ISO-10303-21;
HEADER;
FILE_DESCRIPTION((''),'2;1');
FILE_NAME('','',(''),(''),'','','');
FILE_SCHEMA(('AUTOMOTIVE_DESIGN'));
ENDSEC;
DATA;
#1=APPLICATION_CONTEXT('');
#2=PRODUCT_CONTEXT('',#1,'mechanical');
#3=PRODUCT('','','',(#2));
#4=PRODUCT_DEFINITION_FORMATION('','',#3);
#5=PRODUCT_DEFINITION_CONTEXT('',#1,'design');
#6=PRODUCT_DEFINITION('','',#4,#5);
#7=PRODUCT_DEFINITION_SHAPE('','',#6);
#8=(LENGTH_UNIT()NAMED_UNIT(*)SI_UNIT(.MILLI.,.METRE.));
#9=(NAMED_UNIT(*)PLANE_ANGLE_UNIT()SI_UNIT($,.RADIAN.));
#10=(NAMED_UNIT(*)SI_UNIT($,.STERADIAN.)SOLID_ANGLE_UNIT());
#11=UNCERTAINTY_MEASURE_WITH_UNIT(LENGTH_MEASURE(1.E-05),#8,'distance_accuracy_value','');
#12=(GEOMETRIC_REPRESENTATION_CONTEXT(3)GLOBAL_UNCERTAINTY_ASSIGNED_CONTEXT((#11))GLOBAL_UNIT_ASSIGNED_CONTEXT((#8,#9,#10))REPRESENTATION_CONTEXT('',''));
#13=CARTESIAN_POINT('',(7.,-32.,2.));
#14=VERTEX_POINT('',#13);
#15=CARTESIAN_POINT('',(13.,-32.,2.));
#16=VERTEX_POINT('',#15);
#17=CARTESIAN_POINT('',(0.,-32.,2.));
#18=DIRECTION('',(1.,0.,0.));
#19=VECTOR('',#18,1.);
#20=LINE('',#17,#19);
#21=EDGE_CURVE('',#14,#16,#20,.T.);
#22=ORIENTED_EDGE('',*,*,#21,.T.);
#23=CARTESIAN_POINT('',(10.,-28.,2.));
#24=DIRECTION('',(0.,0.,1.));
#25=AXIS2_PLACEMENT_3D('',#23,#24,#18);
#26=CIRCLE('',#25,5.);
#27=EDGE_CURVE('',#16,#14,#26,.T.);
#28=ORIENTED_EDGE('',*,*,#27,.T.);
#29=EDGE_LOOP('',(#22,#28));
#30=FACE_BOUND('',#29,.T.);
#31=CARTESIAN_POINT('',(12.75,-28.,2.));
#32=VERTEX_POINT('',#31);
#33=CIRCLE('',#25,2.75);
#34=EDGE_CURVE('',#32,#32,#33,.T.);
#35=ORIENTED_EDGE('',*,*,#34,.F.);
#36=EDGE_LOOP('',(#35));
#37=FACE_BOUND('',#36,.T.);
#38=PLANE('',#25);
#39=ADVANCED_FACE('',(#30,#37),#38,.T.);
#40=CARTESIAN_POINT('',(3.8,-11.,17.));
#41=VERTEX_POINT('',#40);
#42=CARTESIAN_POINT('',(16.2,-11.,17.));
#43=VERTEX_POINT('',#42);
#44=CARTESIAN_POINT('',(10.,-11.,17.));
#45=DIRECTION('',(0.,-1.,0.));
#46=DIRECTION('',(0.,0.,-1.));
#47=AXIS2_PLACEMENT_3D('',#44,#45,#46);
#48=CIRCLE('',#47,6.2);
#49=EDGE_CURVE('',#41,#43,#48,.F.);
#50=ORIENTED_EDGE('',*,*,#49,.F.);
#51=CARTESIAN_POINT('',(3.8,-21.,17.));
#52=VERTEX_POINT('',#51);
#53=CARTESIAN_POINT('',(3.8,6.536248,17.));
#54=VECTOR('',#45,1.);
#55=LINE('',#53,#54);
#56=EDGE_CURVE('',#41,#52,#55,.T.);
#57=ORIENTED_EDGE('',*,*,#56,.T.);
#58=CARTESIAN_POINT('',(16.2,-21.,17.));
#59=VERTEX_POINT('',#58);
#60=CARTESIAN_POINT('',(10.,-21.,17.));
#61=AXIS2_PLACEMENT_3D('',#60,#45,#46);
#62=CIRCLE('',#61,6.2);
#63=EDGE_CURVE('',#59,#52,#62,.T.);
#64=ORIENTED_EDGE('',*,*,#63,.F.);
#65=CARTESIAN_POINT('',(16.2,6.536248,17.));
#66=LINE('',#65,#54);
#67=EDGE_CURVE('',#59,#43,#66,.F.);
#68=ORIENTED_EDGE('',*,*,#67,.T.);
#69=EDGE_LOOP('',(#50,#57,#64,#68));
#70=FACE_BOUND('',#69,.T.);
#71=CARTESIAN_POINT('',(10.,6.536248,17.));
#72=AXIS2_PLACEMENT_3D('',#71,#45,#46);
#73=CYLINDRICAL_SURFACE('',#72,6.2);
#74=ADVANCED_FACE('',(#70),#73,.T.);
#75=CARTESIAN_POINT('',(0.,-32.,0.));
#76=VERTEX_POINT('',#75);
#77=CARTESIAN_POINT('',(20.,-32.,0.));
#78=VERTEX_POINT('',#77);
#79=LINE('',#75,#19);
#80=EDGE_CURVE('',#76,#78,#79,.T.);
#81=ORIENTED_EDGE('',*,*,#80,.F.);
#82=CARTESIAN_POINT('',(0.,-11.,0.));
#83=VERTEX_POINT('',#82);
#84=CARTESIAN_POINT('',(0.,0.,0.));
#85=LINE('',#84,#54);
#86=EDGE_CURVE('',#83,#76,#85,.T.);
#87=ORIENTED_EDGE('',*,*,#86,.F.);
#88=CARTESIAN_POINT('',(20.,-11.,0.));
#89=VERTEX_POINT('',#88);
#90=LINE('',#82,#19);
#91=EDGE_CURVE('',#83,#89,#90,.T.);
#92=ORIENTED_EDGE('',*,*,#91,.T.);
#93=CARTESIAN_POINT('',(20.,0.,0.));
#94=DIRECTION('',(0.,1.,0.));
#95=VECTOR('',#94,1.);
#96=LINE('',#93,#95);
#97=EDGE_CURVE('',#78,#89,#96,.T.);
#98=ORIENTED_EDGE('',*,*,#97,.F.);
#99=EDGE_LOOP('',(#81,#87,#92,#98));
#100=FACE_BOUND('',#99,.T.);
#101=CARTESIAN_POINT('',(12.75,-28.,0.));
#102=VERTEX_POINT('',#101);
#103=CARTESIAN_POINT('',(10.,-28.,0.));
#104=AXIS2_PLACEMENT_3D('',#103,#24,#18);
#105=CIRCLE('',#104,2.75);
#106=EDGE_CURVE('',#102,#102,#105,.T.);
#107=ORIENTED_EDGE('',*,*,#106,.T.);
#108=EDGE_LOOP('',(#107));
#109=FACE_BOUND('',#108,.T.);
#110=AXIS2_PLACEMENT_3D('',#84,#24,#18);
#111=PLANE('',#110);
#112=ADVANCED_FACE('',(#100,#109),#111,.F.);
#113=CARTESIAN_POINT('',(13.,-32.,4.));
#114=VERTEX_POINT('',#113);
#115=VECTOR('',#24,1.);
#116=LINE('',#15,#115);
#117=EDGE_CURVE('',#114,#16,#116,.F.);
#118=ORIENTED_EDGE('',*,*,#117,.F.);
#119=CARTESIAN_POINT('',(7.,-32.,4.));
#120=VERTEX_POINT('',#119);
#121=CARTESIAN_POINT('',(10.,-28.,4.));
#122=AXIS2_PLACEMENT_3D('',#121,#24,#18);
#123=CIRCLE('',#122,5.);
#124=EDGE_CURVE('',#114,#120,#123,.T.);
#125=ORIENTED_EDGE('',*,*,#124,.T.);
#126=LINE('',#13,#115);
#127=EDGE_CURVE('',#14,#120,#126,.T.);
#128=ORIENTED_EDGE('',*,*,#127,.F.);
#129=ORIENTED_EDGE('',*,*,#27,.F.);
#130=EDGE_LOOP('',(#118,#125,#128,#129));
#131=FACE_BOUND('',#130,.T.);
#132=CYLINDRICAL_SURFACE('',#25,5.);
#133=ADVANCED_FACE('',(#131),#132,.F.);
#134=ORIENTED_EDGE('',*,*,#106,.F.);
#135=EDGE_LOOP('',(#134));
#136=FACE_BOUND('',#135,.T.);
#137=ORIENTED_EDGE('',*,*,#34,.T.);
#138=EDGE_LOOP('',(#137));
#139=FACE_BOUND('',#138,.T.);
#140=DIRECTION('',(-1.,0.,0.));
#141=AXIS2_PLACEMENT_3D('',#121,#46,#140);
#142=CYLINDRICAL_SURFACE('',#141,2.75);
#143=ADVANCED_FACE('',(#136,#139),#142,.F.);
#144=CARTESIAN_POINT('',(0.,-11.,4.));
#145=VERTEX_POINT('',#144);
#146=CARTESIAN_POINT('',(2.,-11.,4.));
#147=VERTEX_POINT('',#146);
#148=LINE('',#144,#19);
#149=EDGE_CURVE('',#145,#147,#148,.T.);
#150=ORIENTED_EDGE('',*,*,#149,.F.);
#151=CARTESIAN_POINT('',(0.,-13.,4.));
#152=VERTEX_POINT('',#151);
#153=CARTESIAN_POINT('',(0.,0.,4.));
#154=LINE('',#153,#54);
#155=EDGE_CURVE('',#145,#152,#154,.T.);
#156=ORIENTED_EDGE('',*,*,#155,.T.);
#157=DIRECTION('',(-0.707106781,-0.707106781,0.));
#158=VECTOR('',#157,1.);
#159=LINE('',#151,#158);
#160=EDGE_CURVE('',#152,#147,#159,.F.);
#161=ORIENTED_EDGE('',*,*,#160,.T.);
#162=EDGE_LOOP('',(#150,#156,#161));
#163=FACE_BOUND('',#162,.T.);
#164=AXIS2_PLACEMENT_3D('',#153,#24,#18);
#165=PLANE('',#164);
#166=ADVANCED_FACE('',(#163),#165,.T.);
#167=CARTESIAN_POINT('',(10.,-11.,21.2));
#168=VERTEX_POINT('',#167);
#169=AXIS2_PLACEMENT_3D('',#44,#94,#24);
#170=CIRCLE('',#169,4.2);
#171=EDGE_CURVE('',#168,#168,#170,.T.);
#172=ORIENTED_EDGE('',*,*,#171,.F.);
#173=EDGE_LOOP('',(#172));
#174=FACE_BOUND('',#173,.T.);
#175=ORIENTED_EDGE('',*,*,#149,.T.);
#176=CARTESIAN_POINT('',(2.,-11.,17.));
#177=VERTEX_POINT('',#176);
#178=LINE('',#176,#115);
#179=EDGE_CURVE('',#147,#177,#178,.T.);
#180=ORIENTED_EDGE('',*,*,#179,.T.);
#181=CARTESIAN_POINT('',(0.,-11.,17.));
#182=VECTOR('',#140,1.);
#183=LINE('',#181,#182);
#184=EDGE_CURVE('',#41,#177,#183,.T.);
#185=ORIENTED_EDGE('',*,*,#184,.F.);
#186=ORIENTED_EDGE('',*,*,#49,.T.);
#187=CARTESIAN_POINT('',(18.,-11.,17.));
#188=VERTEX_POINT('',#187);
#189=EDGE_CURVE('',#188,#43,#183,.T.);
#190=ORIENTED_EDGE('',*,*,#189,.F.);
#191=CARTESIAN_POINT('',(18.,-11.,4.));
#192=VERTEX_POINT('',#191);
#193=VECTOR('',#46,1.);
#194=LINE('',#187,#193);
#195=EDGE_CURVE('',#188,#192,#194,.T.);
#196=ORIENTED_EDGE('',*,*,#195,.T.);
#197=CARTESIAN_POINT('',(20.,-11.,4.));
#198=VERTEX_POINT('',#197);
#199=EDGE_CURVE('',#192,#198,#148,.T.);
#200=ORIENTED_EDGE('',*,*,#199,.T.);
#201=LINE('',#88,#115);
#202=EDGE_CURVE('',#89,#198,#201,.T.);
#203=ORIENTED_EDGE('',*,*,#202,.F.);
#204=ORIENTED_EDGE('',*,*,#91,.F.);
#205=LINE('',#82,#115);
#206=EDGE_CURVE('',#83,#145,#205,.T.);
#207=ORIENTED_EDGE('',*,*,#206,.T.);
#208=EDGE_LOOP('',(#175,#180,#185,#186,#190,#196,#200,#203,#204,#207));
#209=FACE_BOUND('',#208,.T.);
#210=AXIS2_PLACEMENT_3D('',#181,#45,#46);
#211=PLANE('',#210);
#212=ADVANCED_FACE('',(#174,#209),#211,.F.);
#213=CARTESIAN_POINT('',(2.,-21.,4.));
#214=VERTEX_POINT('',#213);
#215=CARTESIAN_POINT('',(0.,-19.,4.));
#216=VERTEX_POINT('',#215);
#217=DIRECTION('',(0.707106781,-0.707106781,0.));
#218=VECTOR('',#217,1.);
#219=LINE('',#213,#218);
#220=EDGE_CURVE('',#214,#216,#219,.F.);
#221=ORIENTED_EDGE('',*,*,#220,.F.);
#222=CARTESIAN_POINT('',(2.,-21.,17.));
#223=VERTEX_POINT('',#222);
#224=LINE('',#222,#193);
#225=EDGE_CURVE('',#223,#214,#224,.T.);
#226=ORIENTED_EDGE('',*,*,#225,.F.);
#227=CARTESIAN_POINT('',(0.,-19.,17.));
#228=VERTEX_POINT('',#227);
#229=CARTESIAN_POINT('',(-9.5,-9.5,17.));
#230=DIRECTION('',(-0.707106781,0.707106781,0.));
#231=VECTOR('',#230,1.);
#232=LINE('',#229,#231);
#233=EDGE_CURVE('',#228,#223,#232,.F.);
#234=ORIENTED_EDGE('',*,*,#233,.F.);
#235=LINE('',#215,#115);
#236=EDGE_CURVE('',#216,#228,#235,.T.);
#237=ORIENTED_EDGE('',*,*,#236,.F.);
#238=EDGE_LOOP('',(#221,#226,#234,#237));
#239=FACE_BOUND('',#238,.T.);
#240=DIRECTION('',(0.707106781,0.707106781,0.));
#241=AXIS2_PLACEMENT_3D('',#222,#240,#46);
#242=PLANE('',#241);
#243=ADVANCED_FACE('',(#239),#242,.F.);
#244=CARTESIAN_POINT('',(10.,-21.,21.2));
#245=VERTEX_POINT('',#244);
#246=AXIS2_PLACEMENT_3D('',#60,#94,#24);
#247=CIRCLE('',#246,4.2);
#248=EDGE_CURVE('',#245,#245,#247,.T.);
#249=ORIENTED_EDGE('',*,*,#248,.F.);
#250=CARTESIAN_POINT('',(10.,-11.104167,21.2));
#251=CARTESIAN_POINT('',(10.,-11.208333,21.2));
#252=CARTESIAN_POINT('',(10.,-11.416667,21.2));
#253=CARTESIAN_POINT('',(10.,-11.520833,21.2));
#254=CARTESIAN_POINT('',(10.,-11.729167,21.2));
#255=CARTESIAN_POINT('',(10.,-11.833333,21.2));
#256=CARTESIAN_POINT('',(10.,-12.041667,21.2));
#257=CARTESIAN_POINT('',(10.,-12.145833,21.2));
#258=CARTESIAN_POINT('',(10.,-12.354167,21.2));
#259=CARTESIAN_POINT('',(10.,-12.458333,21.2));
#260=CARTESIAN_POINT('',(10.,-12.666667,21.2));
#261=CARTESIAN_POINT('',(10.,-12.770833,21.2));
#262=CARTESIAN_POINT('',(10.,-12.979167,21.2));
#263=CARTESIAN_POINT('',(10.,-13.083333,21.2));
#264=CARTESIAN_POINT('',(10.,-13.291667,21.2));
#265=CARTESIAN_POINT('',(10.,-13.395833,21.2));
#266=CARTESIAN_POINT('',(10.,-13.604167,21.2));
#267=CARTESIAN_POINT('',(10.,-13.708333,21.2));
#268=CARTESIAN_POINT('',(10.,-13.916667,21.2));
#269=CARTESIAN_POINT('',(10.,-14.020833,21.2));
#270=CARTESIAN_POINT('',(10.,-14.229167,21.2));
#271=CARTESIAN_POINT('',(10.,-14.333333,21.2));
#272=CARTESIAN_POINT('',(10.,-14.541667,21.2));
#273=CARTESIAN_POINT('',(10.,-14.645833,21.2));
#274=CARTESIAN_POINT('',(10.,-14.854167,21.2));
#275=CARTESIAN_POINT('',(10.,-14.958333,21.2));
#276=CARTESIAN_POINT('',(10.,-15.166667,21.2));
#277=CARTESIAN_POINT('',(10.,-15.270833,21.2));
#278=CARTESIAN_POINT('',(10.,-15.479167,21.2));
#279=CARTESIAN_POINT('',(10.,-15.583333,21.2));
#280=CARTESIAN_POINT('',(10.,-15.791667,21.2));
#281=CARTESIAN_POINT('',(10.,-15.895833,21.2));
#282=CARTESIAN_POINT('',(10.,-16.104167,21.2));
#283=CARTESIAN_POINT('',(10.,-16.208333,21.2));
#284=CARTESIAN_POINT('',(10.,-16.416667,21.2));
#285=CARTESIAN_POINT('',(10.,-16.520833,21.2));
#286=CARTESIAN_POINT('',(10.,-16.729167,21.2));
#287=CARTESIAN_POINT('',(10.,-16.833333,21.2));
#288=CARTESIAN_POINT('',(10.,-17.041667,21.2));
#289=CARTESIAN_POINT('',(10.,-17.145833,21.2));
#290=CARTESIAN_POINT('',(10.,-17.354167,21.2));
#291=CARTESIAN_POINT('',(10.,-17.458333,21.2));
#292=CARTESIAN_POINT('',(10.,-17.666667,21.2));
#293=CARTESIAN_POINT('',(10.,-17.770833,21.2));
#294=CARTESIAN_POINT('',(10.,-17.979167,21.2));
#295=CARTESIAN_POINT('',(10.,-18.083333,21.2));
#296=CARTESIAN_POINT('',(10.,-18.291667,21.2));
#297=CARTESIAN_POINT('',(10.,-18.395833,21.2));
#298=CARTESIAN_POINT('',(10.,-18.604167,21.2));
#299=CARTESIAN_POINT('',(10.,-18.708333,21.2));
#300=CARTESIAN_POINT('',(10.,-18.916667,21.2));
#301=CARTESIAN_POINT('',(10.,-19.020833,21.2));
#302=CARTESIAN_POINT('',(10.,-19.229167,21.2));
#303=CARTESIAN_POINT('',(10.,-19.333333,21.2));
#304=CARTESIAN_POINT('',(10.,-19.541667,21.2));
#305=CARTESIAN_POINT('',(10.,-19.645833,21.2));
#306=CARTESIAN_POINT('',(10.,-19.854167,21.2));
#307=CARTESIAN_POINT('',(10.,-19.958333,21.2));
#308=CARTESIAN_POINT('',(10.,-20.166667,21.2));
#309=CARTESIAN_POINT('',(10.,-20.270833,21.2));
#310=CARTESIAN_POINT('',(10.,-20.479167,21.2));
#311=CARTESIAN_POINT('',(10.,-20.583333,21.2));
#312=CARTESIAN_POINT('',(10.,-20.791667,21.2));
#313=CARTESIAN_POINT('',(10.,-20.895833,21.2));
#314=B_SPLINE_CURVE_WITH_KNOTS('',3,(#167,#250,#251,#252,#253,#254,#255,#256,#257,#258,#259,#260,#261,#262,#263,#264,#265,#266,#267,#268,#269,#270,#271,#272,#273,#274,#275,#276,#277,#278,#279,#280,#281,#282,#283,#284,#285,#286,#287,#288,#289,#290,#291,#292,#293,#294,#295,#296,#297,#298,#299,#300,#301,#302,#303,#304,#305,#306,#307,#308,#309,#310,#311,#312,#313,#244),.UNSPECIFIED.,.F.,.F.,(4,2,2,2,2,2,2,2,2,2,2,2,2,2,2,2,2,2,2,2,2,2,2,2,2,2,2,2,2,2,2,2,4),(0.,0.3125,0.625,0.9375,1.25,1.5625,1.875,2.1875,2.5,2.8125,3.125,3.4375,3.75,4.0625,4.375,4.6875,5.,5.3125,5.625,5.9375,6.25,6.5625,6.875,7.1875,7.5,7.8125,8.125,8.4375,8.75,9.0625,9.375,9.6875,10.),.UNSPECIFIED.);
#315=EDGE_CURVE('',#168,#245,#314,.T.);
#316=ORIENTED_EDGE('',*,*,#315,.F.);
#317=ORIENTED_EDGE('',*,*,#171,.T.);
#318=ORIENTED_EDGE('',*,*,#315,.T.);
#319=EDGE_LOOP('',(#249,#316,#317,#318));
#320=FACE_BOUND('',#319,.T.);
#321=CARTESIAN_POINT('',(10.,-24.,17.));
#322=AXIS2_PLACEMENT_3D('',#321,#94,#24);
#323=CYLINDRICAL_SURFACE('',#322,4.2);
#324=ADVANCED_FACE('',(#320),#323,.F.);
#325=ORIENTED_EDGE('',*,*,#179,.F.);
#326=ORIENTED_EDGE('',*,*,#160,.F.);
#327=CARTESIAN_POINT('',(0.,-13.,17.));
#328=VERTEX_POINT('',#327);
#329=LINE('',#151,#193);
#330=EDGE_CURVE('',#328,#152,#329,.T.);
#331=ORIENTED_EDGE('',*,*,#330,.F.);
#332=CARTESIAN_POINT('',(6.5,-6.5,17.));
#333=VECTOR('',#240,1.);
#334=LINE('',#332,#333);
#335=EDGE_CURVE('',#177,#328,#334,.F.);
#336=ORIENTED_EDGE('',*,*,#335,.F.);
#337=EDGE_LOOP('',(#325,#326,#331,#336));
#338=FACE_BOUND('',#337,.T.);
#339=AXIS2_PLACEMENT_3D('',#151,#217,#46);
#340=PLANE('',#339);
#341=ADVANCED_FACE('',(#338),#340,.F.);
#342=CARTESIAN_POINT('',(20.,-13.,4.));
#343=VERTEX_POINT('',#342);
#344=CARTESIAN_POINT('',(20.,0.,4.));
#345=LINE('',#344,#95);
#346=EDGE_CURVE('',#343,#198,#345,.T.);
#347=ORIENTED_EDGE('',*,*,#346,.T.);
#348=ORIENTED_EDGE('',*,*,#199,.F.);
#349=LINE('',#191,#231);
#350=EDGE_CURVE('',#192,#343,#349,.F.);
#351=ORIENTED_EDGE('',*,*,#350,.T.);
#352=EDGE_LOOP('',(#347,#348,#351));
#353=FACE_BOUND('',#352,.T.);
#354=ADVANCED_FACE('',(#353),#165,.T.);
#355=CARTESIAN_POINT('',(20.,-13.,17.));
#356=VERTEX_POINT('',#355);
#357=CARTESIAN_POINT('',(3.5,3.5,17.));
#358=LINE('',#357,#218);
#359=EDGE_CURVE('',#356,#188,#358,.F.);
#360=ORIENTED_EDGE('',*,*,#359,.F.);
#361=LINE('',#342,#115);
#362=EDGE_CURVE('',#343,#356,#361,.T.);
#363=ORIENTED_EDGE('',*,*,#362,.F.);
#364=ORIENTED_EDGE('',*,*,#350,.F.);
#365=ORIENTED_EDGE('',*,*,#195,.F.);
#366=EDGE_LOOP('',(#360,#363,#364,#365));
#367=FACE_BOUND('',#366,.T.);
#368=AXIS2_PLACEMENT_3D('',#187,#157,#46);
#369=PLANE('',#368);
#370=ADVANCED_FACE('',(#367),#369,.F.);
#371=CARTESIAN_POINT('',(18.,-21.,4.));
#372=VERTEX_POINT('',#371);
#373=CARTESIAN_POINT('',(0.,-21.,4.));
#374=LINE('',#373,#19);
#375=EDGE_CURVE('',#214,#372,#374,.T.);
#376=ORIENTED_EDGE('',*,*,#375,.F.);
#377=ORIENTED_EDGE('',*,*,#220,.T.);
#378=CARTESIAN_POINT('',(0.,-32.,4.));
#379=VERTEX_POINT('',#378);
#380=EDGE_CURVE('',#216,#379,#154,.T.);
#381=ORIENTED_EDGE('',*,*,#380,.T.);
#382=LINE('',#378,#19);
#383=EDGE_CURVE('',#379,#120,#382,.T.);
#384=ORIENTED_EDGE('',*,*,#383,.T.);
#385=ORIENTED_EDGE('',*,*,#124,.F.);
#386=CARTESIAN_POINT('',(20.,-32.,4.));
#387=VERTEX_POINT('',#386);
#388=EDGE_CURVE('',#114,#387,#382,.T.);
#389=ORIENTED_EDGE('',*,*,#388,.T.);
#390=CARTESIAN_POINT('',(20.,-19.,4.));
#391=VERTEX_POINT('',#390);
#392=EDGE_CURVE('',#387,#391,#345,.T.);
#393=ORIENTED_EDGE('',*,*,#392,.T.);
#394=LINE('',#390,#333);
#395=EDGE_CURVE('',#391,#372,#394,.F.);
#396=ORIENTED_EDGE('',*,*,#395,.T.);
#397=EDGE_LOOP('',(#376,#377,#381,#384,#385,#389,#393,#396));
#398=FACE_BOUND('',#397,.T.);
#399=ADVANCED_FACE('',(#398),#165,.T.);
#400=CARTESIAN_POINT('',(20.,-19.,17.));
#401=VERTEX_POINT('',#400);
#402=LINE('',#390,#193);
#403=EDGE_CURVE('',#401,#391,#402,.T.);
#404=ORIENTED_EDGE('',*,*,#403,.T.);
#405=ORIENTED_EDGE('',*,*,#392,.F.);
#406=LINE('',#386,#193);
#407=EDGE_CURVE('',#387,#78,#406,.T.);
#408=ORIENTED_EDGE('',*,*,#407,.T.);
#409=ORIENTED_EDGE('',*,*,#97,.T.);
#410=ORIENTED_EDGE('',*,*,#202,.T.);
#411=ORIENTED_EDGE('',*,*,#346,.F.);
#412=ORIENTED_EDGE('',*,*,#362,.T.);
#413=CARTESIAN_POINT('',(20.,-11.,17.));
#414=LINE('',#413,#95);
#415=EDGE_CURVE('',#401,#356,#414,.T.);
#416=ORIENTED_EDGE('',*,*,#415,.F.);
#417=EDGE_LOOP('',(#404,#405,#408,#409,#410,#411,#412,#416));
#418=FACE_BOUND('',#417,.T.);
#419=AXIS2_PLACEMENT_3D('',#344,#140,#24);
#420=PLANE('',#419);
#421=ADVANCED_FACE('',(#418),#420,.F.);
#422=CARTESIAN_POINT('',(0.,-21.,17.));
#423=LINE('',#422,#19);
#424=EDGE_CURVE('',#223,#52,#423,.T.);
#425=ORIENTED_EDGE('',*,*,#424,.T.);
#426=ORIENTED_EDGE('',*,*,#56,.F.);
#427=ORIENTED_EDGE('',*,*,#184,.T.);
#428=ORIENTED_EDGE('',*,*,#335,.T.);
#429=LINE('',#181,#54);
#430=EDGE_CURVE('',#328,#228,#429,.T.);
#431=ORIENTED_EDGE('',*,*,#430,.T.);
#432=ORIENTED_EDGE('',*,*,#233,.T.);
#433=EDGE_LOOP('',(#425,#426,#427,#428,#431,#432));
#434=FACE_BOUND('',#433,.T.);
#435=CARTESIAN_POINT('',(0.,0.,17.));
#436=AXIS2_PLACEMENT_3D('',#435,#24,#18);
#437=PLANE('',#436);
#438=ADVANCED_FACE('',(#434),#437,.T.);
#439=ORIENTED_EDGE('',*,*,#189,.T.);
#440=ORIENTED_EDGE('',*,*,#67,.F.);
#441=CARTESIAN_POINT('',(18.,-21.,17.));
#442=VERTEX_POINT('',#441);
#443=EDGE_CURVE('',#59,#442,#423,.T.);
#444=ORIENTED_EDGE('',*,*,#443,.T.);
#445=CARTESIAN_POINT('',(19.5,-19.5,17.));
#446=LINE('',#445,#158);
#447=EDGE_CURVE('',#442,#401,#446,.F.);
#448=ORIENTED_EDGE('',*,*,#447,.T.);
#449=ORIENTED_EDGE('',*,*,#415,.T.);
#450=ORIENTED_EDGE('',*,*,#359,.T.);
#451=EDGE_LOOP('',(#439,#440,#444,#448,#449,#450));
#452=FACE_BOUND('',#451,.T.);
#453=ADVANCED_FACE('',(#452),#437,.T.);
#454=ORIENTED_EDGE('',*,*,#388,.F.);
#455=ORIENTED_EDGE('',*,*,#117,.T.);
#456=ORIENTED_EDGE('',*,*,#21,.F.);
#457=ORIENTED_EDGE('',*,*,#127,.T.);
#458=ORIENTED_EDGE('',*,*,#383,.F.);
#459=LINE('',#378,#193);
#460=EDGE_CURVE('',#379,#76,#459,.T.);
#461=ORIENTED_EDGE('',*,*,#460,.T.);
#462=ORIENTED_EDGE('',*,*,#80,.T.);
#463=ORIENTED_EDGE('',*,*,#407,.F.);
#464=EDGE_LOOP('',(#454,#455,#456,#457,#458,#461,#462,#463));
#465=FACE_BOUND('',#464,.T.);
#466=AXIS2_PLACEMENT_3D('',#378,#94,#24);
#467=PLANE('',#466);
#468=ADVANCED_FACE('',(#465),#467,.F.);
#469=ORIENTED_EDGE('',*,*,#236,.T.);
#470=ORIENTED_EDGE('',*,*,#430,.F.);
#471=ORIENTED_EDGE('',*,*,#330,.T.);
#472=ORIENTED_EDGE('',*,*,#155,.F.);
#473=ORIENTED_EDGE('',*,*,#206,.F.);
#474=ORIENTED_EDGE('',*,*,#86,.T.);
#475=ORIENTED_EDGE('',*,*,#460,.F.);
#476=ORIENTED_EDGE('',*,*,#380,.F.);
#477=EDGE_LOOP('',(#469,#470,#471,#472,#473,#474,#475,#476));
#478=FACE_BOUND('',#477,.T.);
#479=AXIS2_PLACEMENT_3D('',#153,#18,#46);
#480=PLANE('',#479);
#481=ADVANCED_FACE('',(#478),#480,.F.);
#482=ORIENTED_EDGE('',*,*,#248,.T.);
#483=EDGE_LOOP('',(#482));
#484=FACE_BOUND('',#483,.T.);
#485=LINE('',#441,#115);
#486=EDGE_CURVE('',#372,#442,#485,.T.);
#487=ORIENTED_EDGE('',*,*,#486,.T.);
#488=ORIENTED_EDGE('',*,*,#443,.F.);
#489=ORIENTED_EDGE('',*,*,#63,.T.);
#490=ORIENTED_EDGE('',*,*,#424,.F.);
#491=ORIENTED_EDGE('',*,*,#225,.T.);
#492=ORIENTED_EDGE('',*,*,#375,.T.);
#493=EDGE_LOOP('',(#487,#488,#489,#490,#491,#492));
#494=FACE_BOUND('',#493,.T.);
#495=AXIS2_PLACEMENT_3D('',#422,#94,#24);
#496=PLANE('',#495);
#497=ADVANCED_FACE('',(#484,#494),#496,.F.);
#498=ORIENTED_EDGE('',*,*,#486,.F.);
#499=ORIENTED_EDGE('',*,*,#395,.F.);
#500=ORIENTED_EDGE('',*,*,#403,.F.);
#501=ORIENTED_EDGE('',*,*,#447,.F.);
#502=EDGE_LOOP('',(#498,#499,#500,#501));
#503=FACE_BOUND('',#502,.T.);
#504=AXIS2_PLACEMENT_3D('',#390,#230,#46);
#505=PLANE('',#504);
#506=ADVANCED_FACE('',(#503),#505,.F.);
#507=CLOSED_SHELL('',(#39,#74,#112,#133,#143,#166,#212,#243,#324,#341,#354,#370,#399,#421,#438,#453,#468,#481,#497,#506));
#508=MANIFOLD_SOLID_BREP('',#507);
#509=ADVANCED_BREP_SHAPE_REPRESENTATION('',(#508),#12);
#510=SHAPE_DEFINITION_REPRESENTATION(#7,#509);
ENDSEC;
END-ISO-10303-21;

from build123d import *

# Parameters (mm, degrees)
SKETCH_1_W          = 20
SKETCH_1_H          = 32
SKETCH_1_R          = 2.75
EXTRUDE_1_DEPTH     = 4
SKETCH_2_W          = 20
SKETCH_2_H          = 10
EXTRUDE_2_DEPTH     = 13
SKETCH_4_R          = 6.2
EXTRUDE_3_DEPTH     = 10
SKETCH_5_R          = 4.2
CUT_EXTRUDE_1_DEPTH = 13
CHAMFER_1_SIZE      = 2
SKETCH_6_R          = 5
CUT_EXTRUDE_2_DEPTH = 2
SKETCH_7_W          = 20
SKETCH_7_H          = 11
CUT_EXTRUDE_3_DEPTH = 43.339579592


with BuildPart() as part:
    # 草图1 → 凸台-拉伸1 (new body)
    with BuildSketch(Plane.XY):
        with Locations((10, -16)):
            Rectangle(SKETCH_1_W, SKETCH_1_H)
        with Locations((10, -4)):
            Circle(SKETCH_1_R, mode=Mode.SUBTRACT)
        with Locations((10, -28)):
            Circle(SKETCH_1_R, mode=Mode.SUBTRACT)
    extrude(amount=EXTRUDE_1_DEPTH)

    # 草图2 → 凸台-拉伸2 (add)
    with BuildSketch(Plane.XY.offset(4)):
        with Locations((10, -16)):
            Rectangle(SKETCH_2_W, SKETCH_2_H)
    extrude(amount=EXTRUDE_2_DEPTH)

    # 草图4 → 凸台-拉伸3 (add)
    with BuildSketch(Plane.XZ.offset(21)):
        with Locations((10, 17)):
            Circle(SKETCH_4_R)
    extrude(amount=-EXTRUDE_3_DEPTH)

    # 草图5 → 切除-拉伸1 (cut)
    with BuildSketch(Plane(origin=(0, -11, 0), x_dir=(1, 0, 0), z_dir=(0, 1, 0))):
        with Locations(Location((10, -17, 0), (0, 0, 270))):
            Circle(SKETCH_5_R)
    extrude(amount=-CUT_EXTRUDE_1_DEPTH, mode=Mode.SUBTRACT)

    # 倒角1
    chamfer_1_edges = [part.edges().sort_by_distance(p)[0] for p in [
        (0, -11, 10.5),
        (0, -21, 10.5),
        (20, -21, 10.5),
        (20, -11, 10.5),
    ]]
    chamfer(chamfer_1_edges, length=CHAMFER_1_SIZE)

    # 草图6 → 切除-拉伸2 (cut)
    with BuildSketch(Plane.XY.offset(4)):
        with Locations((10, -28)):
            Circle(SKETCH_6_R)
        with Locations((10, -4)):
            Circle(SKETCH_6_R)
    extrude(amount=-CUT_EXTRUDE_2_DEPTH, mode=Mode.SUBTRACT)

    # 草图7 → 切除-拉伸3 (cut, through all)
    with BuildSketch(Plane.XY.offset(4)):
        with Locations((10, -5.5)):
            Rectangle(SKETCH_7_W, SKETCH_7_H)
    extrude(amount=-CUT_EXTRUDE_3_DEPTH, mode=Mode.SUBTRACT)


solid = part.part
